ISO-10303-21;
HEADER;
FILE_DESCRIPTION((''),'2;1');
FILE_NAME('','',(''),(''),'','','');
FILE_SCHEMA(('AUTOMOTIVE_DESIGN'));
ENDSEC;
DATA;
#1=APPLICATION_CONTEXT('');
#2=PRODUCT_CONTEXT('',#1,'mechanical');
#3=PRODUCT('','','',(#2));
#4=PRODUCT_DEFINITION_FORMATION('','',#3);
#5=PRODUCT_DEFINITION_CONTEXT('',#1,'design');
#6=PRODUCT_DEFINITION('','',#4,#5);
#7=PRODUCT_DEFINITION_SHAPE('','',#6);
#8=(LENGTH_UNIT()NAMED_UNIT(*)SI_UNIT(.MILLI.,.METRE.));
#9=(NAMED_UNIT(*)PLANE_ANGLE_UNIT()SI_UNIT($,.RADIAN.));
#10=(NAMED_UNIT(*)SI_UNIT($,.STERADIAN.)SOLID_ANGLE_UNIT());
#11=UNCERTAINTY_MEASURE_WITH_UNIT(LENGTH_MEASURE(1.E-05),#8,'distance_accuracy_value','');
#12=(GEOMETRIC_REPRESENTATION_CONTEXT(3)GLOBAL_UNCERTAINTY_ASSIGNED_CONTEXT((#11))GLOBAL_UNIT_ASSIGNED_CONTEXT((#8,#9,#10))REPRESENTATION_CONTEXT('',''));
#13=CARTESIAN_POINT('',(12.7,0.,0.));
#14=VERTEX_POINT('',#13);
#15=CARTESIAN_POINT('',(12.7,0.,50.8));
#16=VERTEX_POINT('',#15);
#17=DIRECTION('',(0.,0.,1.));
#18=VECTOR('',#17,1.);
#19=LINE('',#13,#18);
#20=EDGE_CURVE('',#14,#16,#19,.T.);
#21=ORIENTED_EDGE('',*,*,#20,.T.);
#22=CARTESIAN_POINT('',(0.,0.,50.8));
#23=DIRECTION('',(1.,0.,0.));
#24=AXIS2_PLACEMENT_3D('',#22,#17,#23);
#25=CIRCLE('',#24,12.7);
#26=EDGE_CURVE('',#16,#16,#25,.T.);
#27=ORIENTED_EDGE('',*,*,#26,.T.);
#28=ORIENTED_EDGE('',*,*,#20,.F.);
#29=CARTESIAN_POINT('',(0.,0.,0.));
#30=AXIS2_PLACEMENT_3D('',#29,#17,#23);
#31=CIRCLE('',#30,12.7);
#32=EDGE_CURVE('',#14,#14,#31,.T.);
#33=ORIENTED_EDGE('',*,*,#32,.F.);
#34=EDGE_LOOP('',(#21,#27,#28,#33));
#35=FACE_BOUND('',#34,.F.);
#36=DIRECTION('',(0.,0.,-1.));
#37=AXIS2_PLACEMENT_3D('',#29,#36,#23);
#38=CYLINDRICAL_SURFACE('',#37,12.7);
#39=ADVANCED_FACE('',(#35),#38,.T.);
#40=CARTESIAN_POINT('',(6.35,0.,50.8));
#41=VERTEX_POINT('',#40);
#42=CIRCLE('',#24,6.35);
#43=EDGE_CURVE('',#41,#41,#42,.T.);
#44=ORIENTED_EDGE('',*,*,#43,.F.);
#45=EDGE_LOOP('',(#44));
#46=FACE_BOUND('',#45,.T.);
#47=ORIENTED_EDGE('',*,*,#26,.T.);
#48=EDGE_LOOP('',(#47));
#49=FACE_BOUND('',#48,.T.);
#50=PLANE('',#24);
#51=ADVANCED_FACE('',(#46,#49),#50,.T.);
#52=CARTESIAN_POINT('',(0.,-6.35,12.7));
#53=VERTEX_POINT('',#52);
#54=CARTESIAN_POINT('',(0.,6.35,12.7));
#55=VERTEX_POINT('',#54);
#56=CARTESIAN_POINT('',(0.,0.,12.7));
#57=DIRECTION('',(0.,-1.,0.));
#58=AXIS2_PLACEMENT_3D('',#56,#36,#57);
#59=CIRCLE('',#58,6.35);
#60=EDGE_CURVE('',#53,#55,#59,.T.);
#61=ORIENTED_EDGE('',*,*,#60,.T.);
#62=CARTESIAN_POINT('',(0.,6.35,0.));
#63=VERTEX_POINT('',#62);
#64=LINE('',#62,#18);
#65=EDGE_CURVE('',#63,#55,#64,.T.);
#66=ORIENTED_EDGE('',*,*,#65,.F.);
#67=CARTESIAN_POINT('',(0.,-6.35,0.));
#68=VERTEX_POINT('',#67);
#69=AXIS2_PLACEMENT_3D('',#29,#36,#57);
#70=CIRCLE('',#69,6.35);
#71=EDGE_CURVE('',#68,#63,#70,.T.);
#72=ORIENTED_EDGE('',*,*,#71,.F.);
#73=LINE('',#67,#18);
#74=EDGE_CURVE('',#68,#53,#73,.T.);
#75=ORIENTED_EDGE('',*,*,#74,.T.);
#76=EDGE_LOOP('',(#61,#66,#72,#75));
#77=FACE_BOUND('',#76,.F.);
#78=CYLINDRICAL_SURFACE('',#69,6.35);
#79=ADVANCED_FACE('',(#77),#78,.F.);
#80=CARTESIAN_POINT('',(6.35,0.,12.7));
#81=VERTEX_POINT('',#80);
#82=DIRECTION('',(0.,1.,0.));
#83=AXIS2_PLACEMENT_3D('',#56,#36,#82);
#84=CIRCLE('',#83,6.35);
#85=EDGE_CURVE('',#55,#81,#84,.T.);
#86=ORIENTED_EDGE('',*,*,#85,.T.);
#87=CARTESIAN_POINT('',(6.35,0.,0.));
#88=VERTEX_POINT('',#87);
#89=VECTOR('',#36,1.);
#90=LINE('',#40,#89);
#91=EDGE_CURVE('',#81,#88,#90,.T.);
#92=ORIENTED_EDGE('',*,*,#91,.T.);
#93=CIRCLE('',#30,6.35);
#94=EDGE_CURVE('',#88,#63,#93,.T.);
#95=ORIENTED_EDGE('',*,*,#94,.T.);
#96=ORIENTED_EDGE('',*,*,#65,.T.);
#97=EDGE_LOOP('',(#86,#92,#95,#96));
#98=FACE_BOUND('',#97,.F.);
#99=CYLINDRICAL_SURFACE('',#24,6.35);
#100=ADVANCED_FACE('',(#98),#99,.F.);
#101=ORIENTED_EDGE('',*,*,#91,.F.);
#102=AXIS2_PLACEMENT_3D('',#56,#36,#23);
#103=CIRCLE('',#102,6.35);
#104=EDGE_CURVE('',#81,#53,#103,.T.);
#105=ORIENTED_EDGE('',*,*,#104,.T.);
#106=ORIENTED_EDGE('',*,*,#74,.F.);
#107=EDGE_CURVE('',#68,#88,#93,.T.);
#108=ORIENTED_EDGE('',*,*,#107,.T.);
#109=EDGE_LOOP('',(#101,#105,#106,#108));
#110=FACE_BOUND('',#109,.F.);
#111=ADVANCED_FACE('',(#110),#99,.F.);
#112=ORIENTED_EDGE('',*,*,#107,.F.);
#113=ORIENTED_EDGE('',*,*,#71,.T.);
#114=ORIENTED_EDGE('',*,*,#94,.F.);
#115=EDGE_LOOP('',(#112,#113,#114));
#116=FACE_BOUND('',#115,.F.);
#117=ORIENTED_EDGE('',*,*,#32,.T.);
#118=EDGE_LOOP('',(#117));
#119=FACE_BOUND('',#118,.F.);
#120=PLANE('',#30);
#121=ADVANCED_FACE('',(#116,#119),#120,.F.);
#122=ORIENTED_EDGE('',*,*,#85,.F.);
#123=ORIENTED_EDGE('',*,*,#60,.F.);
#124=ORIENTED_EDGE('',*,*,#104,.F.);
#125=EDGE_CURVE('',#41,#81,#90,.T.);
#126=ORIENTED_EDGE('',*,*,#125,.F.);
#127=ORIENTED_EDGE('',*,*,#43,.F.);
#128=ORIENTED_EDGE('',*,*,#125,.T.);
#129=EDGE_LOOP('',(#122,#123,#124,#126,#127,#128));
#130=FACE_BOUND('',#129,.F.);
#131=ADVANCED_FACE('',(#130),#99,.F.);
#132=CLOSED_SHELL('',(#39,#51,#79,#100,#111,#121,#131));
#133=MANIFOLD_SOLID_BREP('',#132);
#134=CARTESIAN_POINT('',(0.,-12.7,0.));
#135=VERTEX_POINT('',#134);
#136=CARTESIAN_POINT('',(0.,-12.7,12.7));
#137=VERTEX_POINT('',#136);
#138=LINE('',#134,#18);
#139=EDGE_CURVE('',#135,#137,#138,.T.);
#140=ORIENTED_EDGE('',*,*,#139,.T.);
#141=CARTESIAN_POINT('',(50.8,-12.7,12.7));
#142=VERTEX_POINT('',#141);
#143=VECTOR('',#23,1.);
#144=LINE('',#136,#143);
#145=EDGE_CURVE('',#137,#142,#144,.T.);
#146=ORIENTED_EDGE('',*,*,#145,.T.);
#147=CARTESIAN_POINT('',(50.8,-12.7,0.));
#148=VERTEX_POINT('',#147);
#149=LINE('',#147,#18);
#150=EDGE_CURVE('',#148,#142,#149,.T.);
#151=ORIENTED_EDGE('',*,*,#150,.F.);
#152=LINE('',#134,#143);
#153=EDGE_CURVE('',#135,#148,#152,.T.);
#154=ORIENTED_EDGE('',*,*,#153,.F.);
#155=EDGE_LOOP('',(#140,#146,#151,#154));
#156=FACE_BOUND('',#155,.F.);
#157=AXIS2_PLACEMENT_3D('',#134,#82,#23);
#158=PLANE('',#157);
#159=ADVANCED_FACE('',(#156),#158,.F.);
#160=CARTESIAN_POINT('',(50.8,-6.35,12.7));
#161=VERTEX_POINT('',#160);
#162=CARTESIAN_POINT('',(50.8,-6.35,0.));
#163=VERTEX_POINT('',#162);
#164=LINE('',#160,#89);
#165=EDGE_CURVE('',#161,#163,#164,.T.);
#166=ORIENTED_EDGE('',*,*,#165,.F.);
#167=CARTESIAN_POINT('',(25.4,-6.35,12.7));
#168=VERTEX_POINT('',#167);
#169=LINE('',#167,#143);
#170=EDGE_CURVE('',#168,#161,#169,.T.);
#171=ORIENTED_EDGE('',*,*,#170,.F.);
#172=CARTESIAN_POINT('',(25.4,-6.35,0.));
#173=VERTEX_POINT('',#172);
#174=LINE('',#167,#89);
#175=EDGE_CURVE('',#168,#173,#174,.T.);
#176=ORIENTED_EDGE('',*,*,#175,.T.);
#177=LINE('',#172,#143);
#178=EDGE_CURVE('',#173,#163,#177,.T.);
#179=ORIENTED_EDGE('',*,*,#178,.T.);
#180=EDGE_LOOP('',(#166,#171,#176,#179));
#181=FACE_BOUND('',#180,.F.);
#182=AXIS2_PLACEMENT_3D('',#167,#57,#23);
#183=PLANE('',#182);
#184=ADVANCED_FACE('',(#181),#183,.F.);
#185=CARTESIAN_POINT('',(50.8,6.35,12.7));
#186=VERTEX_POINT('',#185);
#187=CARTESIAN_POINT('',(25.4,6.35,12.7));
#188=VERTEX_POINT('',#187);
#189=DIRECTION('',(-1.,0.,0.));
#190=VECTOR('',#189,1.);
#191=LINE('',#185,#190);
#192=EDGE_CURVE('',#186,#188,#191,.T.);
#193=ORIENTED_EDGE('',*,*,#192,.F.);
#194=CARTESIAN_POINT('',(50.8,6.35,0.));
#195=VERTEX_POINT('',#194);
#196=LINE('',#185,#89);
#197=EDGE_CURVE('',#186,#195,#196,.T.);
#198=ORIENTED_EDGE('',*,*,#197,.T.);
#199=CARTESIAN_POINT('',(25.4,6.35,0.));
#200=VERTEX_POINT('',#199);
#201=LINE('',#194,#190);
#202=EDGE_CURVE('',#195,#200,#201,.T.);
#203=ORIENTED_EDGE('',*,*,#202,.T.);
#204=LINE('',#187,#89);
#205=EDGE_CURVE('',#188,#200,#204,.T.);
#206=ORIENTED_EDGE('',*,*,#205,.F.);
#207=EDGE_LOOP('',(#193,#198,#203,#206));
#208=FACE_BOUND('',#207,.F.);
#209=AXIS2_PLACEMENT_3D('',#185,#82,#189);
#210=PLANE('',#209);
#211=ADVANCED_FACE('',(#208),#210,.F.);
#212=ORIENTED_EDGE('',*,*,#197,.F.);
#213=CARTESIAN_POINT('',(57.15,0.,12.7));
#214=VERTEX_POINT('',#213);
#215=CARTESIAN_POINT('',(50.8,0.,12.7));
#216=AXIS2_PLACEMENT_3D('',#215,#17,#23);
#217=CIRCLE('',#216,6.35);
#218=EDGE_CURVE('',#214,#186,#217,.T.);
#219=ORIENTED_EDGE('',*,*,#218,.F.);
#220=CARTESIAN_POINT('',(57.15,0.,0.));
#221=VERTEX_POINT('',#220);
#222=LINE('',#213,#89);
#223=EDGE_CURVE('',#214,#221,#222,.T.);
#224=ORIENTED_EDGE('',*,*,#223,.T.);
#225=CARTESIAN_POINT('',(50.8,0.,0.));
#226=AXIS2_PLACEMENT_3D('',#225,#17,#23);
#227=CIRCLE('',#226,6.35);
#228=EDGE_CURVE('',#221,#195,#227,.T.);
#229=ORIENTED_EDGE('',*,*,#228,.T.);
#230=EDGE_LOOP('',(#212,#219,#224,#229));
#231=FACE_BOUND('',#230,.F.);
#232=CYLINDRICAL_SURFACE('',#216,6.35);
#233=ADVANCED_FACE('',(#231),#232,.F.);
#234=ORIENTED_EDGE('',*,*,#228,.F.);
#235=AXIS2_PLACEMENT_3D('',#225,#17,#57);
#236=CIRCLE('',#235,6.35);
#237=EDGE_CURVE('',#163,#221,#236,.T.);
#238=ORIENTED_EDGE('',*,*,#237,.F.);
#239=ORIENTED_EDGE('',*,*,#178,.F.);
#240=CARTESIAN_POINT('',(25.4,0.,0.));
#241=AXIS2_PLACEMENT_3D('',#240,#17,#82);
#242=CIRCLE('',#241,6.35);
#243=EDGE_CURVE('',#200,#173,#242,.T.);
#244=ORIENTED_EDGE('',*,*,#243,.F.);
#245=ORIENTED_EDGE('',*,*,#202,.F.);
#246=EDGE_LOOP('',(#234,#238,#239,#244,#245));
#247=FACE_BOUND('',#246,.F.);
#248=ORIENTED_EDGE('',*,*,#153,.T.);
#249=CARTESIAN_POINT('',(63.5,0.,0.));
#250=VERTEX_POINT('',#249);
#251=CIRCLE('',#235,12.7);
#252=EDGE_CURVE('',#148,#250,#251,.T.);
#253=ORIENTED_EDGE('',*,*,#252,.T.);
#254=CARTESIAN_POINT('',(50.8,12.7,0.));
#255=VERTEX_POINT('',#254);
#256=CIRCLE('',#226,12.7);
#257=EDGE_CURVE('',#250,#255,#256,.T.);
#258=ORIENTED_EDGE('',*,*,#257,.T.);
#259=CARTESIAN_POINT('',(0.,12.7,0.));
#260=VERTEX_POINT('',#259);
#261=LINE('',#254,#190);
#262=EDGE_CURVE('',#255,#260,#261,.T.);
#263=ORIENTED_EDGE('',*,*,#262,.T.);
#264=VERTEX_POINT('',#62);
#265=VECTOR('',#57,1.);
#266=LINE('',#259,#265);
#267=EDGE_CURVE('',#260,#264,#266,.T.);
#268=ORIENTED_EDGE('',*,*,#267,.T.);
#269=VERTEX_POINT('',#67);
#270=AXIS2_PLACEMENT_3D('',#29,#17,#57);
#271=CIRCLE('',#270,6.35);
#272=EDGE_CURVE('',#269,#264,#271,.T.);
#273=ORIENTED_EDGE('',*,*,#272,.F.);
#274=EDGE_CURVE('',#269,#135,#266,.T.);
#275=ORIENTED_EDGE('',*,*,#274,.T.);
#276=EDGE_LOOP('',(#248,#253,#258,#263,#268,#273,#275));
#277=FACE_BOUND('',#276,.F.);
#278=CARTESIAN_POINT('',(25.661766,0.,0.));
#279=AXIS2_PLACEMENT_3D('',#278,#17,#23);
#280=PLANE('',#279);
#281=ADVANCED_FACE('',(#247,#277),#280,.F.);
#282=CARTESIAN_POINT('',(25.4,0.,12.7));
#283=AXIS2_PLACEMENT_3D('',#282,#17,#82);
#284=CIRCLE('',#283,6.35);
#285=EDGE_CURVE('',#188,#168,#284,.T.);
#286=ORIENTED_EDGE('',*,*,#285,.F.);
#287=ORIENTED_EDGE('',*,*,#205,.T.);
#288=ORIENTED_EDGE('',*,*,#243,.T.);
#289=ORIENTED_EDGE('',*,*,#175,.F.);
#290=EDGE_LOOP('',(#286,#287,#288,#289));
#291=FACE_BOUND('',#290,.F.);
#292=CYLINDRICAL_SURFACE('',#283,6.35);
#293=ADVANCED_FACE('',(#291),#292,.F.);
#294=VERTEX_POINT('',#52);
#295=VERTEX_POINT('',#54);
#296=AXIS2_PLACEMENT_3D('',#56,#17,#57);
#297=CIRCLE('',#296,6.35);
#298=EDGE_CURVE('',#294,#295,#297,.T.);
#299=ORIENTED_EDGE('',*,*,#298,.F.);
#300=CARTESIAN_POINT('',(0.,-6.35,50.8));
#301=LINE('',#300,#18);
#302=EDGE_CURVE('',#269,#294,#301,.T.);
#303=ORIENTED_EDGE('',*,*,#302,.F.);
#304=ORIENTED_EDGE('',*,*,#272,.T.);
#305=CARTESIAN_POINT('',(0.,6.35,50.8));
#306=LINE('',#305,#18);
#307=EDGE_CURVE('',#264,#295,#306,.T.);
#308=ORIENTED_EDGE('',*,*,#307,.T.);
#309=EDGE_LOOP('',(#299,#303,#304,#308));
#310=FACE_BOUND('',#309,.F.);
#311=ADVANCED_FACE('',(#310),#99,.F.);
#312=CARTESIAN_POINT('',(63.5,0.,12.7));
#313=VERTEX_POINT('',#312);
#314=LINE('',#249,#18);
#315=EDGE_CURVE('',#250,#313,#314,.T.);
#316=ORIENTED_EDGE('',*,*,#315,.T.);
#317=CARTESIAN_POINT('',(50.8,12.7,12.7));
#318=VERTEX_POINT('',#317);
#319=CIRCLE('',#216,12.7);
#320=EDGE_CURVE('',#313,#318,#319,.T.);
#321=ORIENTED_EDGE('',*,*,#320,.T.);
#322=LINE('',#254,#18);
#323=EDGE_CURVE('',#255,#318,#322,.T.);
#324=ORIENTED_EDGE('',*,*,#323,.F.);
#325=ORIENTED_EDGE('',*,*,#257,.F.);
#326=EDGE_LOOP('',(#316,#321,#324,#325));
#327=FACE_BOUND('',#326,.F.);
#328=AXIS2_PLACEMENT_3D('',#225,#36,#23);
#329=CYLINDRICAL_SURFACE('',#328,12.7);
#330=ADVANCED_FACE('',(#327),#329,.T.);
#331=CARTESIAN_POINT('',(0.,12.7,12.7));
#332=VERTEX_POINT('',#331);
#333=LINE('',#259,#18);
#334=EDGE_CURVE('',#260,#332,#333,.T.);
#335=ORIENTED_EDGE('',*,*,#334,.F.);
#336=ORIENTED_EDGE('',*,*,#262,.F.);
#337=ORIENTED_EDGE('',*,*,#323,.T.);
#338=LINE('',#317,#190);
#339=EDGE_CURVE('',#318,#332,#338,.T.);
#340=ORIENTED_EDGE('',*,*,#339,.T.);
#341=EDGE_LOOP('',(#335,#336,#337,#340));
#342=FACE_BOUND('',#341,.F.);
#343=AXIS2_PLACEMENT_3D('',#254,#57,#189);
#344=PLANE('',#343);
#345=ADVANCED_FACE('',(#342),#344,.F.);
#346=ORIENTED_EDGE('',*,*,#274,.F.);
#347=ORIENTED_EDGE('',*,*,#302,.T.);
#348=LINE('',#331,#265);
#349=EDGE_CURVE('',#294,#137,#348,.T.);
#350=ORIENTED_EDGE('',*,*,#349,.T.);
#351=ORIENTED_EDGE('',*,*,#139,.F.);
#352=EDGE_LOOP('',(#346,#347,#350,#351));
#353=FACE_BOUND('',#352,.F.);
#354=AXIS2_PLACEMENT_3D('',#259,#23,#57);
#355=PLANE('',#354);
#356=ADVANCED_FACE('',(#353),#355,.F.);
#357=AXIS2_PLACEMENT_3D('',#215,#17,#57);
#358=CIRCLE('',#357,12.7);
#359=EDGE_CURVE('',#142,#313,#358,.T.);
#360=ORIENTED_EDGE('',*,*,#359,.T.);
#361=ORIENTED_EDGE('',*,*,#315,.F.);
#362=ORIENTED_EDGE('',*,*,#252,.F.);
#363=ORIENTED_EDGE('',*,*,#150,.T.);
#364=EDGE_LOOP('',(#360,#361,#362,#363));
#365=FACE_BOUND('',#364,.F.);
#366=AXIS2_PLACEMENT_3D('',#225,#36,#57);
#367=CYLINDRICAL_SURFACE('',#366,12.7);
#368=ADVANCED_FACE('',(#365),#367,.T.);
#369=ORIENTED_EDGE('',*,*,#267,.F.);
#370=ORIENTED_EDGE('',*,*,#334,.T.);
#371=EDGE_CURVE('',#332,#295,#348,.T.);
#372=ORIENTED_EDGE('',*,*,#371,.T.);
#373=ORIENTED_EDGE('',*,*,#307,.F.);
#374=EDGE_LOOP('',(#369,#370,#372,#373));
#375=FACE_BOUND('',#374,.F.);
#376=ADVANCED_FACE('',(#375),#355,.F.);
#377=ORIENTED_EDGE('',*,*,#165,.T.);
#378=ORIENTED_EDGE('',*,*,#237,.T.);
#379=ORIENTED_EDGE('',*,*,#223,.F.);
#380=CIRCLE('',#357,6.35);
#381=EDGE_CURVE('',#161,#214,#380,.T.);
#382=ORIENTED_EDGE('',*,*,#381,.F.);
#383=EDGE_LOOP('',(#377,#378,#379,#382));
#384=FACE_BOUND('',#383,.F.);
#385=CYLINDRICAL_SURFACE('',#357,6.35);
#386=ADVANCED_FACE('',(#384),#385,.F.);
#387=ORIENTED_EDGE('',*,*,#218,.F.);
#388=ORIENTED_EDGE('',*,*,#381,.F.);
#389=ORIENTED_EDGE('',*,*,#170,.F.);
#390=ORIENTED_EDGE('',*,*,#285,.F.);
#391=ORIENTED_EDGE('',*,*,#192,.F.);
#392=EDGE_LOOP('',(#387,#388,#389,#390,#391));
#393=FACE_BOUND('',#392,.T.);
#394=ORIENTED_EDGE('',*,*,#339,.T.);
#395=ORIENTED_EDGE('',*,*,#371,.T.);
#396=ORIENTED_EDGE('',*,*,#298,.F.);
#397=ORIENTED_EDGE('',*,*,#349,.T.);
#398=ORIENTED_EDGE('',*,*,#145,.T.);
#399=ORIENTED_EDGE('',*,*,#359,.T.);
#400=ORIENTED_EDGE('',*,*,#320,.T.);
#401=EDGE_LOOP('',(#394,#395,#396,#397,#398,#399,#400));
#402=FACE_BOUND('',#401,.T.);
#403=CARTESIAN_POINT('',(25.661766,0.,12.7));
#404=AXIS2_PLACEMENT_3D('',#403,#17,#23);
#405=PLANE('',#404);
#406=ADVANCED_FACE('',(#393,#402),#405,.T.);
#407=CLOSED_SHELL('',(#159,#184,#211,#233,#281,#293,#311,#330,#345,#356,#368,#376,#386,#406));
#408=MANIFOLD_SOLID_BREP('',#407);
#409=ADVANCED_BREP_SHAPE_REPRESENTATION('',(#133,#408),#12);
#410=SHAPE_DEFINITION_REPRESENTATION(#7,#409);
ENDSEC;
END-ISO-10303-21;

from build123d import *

# Parameters (mm, degrees)
F0_R     = 12.7
F1_DEPTH = 50.8
F3_DEPTH = 12.7
F5_DEPTH = 12.7
F6_R     = 6.35
F7_DEPTH = 50.8
F9_DEPTH = 12.7


with BuildPart() as f1:
    # F0 (on Top) → F1 (new body)
    with BuildSketch(Plane.XY):
        Circle(F0_R)
    extrude(amount=F1_DEPTH)


with BuildPart() as f3:
    # F2 (on Top) → F3 (new body)
    with BuildSketch(Plane.XY):
        with BuildLine():
            Line((0, 12.7), (0, -12.7))
            Line((0, -12.7), (50.8, -12.7))
            ThreePointArc((50.8, -12.7), (38.1, 0), (50.8, 12.7))
            Line((50.8, 12.7), (0, 12.7))
        make_face()
        with BuildLine():
            Line((50.8, 12.7), (50.8, -12.7))
            ThreePointArc((50.8, -12.7), (59.7802561211, -8.9802561211), (63.5, 0))
            ThreePointArc((63.5, 0), (59.7802561211, 8.9802561211), (50.8, 12.7))
        make_face()
        with BuildLine():
            ThreePointArc((50.8, 12.7), (38.1, 0), (50.8, -12.7))
            Line((50.8, -12.7), (50.8, 12.7))
        make_face()
    extrude(amount=F3_DEPTH)

    # F4 (on face) → F5 (cut)
    with BuildSketch(Plane.XY.offset(12.7)):
        with BuildLine():
            ThreePointArc((57.15, 0), (55.2901280605, 4.4901280605), (50.8, 6.35))
            Line((50.8, 6.35), (50.8, -6.35))
            ThreePointArc((50.8, -6.35), (55.2901280605, -4.4901280605), (57.15, 0))
        make_face()
        with BuildLine():
            Line((50.8, -6.35), (50.8, 6.35))
            ThreePointArc((50.8, 6.35), (44.45, 0), (50.8, -6.35))
        make_face()
        with BuildLine():
            ThreePointArc((50.8, -6.35), (44.45, 0), (50.8, 6.35))
            Line((50.8, 6.35), (25.4, 6.35))
            ThreePointArc((25.4, 6.35), (29.8901280605, 4.4901280605), (31.75, 0))
            ThreePointArc((31.75, 0), (29.8901280605, -4.4901280605), (25.4, -6.35))
            Line((25.4, -6.35), (50.8, -6.35))
        make_face()
        with BuildLine():
            ThreePointArc((31.75, 0), (29.8901280605, 4.4901280605), (25.4, 6.35))
            Line((25.4, 6.35), (25.4, -6.35))
            ThreePointArc((25.4, -6.35), (29.8901280605, -4.4901280605), (31.75, 0))
        make_face()
        with BuildLine():
            Line((25.4, -6.35), (25.4, 6.35))
            ThreePointArc((25.4, 6.35), (19.05, 0), (25.4, -6.35))
        make_face()
    extrude(amount=-F5_DEPTH, mode=Mode.SUBTRACT)


with BuildPart() as f7_tool:
    # F6 (on face) → F7 (new body)
    with BuildSketch(Plane.XY.offset(50.8)):
        Circle(F6_R)
    extrude(amount=-F7_DEPTH)


with BuildPart() as f1_1:
    add(f1.part)

    # F7: cut by f7_tool
    add(f7_tool.part, mode=Mode.SUBTRACT)

    # F8 (on face) → F9 (cut)
    with BuildSketch(Plane(origin=(0, 0, 0), x_dir=(1, 0, 0), z_dir=(0, 0, -1))):
        with BuildLine():
            ThreePointArc((0, -6.35), (4.4901280605, -4.4901280605), (6.35, 0))
            ThreePointArc((6.35, 0), (4.4901280605, 4.4901280605), (0, 6.35))
            ThreePointArc((0, 6.35), (-6.35, 0), (0, -6.35))
        make_face()
    extrude(amount=-F9_DEPTH, mode=Mode.SUBTRACT)


with BuildPart() as f3_1:
    add(f3.part)

    # F7: cut by f7_tool
    add(f7_tool.part, mode=Mode.SUBTRACT)


solid = Compound([f1_1.part, f3_1.part])
